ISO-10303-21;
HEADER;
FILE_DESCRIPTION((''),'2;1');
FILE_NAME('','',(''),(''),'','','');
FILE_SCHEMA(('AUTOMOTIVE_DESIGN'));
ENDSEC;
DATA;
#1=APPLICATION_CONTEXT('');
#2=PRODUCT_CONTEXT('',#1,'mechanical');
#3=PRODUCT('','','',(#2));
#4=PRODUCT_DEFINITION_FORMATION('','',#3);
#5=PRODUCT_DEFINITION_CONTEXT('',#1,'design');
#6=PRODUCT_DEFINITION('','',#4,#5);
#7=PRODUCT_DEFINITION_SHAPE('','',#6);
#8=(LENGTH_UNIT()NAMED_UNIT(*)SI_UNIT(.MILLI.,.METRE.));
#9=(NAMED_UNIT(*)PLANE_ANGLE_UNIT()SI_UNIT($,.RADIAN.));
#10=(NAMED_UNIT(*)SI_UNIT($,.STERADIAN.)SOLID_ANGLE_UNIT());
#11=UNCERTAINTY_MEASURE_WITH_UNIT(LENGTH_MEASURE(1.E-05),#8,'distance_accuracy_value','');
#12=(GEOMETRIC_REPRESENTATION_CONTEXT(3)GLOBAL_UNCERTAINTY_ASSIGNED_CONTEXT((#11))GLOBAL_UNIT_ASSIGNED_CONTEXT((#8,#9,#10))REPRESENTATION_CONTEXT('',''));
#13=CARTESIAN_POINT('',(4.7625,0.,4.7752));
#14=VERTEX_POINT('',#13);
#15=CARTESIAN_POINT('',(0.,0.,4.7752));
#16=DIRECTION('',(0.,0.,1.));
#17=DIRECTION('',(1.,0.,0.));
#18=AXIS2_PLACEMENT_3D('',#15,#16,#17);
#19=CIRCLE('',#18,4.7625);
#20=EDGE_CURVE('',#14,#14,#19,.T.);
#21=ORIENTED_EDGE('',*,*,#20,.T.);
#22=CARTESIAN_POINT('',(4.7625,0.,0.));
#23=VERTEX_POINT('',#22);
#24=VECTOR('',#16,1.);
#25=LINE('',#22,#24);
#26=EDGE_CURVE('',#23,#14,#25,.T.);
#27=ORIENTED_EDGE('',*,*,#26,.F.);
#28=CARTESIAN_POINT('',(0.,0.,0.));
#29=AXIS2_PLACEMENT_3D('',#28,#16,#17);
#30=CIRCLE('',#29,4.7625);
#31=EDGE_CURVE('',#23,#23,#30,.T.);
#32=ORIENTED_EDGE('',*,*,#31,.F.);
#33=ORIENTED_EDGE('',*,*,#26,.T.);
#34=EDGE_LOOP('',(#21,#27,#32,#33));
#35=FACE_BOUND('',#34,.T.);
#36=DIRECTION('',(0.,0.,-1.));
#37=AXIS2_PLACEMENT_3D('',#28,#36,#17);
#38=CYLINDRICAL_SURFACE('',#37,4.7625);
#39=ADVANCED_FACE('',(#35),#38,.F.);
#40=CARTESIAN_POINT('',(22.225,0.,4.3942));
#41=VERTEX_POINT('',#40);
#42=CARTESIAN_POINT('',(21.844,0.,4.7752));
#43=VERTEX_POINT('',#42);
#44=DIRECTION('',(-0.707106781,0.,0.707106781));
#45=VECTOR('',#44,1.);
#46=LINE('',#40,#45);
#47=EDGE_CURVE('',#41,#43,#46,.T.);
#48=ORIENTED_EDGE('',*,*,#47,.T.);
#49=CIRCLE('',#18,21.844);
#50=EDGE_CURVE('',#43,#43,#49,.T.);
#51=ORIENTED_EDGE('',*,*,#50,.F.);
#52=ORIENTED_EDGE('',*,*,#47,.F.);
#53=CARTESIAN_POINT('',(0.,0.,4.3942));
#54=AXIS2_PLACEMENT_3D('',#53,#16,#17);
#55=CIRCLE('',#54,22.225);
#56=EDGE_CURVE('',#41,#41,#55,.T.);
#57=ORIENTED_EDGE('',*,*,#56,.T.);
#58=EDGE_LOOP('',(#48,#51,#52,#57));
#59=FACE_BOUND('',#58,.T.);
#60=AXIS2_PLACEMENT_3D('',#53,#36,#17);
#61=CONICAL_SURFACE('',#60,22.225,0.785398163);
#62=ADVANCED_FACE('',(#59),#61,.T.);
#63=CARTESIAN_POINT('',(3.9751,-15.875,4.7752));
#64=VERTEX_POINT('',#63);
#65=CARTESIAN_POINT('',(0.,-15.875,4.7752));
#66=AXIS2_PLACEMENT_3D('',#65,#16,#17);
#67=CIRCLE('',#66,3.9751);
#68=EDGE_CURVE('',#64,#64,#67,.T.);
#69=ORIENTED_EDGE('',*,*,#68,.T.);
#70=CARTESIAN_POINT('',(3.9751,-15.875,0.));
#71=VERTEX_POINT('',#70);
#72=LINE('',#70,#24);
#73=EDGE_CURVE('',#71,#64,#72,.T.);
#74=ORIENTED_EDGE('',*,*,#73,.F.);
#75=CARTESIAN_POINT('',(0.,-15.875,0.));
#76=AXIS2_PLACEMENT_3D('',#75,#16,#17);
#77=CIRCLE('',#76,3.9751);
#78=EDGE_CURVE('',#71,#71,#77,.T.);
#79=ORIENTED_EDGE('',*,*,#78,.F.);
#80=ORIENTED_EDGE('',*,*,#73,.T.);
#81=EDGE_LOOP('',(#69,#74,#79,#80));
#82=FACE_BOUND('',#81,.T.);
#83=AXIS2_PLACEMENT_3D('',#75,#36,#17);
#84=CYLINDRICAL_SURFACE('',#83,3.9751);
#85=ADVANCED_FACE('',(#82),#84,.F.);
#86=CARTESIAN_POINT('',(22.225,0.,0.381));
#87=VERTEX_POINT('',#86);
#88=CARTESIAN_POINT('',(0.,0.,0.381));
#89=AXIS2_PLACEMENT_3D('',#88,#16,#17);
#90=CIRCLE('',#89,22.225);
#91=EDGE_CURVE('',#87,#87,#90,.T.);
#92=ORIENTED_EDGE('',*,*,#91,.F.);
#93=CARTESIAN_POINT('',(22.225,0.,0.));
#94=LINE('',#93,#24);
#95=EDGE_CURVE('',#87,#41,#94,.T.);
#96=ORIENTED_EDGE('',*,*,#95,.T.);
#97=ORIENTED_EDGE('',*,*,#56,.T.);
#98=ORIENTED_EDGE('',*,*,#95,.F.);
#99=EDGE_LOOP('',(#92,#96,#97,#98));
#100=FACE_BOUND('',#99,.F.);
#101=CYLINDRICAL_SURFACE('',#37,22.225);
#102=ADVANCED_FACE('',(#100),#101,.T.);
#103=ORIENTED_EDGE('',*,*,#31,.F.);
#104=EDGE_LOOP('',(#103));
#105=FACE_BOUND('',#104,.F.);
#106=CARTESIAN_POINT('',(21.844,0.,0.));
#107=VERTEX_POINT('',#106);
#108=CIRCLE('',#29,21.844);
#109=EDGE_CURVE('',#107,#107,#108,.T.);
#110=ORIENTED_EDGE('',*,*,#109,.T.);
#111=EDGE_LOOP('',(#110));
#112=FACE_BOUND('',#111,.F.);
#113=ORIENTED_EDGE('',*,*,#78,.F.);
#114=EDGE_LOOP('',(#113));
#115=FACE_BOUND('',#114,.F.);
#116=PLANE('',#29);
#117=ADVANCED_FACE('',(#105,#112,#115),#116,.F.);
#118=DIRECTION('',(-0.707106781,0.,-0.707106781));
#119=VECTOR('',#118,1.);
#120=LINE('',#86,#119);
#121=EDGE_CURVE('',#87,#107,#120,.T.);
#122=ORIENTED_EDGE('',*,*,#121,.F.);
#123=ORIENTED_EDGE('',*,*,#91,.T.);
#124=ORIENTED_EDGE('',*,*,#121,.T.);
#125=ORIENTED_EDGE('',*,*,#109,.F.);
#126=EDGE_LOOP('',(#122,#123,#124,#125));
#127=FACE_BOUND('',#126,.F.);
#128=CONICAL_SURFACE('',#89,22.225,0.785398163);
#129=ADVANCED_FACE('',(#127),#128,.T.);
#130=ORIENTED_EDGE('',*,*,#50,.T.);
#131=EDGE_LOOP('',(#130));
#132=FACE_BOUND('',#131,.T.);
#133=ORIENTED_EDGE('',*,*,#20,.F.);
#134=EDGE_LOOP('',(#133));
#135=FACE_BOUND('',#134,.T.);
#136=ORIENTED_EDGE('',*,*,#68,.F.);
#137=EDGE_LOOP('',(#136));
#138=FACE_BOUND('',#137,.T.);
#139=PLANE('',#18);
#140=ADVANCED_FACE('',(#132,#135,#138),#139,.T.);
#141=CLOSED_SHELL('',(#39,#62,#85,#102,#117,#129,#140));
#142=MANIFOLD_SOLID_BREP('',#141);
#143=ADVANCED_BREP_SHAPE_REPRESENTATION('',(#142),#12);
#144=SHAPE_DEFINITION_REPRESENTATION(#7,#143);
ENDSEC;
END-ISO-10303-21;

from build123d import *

# Parameters (mm, degrees)
F0_R     = 22.225
F0_R_2   = 3.9751
F0_R_3   = 4.7625
F1_DEPTH = 4.7752
F2_SIZE  = 0.381


with BuildPart() as f1:
    # F0 (on Top) → F1 (new body)
    with BuildSketch(Plane.XY):
        Circle(F0_R)
        with Locations((0, -15.875)):
            Circle(F0_R_2, mode=Mode.SUBTRACT)
        Circle(F0_R_3, mode=Mode.SUBTRACT)
    extrude(amount=F1_DEPTH)

    # F2
    f2_edges = [f1.edges().sort_by_distance(p)[0] for p in [
        (-22.225, 0, 4.7752),
        (-22.225, 0, 0),
    ]]
    chamfer(f2_edges, length=F2_SIZE)


solid = f1.part
